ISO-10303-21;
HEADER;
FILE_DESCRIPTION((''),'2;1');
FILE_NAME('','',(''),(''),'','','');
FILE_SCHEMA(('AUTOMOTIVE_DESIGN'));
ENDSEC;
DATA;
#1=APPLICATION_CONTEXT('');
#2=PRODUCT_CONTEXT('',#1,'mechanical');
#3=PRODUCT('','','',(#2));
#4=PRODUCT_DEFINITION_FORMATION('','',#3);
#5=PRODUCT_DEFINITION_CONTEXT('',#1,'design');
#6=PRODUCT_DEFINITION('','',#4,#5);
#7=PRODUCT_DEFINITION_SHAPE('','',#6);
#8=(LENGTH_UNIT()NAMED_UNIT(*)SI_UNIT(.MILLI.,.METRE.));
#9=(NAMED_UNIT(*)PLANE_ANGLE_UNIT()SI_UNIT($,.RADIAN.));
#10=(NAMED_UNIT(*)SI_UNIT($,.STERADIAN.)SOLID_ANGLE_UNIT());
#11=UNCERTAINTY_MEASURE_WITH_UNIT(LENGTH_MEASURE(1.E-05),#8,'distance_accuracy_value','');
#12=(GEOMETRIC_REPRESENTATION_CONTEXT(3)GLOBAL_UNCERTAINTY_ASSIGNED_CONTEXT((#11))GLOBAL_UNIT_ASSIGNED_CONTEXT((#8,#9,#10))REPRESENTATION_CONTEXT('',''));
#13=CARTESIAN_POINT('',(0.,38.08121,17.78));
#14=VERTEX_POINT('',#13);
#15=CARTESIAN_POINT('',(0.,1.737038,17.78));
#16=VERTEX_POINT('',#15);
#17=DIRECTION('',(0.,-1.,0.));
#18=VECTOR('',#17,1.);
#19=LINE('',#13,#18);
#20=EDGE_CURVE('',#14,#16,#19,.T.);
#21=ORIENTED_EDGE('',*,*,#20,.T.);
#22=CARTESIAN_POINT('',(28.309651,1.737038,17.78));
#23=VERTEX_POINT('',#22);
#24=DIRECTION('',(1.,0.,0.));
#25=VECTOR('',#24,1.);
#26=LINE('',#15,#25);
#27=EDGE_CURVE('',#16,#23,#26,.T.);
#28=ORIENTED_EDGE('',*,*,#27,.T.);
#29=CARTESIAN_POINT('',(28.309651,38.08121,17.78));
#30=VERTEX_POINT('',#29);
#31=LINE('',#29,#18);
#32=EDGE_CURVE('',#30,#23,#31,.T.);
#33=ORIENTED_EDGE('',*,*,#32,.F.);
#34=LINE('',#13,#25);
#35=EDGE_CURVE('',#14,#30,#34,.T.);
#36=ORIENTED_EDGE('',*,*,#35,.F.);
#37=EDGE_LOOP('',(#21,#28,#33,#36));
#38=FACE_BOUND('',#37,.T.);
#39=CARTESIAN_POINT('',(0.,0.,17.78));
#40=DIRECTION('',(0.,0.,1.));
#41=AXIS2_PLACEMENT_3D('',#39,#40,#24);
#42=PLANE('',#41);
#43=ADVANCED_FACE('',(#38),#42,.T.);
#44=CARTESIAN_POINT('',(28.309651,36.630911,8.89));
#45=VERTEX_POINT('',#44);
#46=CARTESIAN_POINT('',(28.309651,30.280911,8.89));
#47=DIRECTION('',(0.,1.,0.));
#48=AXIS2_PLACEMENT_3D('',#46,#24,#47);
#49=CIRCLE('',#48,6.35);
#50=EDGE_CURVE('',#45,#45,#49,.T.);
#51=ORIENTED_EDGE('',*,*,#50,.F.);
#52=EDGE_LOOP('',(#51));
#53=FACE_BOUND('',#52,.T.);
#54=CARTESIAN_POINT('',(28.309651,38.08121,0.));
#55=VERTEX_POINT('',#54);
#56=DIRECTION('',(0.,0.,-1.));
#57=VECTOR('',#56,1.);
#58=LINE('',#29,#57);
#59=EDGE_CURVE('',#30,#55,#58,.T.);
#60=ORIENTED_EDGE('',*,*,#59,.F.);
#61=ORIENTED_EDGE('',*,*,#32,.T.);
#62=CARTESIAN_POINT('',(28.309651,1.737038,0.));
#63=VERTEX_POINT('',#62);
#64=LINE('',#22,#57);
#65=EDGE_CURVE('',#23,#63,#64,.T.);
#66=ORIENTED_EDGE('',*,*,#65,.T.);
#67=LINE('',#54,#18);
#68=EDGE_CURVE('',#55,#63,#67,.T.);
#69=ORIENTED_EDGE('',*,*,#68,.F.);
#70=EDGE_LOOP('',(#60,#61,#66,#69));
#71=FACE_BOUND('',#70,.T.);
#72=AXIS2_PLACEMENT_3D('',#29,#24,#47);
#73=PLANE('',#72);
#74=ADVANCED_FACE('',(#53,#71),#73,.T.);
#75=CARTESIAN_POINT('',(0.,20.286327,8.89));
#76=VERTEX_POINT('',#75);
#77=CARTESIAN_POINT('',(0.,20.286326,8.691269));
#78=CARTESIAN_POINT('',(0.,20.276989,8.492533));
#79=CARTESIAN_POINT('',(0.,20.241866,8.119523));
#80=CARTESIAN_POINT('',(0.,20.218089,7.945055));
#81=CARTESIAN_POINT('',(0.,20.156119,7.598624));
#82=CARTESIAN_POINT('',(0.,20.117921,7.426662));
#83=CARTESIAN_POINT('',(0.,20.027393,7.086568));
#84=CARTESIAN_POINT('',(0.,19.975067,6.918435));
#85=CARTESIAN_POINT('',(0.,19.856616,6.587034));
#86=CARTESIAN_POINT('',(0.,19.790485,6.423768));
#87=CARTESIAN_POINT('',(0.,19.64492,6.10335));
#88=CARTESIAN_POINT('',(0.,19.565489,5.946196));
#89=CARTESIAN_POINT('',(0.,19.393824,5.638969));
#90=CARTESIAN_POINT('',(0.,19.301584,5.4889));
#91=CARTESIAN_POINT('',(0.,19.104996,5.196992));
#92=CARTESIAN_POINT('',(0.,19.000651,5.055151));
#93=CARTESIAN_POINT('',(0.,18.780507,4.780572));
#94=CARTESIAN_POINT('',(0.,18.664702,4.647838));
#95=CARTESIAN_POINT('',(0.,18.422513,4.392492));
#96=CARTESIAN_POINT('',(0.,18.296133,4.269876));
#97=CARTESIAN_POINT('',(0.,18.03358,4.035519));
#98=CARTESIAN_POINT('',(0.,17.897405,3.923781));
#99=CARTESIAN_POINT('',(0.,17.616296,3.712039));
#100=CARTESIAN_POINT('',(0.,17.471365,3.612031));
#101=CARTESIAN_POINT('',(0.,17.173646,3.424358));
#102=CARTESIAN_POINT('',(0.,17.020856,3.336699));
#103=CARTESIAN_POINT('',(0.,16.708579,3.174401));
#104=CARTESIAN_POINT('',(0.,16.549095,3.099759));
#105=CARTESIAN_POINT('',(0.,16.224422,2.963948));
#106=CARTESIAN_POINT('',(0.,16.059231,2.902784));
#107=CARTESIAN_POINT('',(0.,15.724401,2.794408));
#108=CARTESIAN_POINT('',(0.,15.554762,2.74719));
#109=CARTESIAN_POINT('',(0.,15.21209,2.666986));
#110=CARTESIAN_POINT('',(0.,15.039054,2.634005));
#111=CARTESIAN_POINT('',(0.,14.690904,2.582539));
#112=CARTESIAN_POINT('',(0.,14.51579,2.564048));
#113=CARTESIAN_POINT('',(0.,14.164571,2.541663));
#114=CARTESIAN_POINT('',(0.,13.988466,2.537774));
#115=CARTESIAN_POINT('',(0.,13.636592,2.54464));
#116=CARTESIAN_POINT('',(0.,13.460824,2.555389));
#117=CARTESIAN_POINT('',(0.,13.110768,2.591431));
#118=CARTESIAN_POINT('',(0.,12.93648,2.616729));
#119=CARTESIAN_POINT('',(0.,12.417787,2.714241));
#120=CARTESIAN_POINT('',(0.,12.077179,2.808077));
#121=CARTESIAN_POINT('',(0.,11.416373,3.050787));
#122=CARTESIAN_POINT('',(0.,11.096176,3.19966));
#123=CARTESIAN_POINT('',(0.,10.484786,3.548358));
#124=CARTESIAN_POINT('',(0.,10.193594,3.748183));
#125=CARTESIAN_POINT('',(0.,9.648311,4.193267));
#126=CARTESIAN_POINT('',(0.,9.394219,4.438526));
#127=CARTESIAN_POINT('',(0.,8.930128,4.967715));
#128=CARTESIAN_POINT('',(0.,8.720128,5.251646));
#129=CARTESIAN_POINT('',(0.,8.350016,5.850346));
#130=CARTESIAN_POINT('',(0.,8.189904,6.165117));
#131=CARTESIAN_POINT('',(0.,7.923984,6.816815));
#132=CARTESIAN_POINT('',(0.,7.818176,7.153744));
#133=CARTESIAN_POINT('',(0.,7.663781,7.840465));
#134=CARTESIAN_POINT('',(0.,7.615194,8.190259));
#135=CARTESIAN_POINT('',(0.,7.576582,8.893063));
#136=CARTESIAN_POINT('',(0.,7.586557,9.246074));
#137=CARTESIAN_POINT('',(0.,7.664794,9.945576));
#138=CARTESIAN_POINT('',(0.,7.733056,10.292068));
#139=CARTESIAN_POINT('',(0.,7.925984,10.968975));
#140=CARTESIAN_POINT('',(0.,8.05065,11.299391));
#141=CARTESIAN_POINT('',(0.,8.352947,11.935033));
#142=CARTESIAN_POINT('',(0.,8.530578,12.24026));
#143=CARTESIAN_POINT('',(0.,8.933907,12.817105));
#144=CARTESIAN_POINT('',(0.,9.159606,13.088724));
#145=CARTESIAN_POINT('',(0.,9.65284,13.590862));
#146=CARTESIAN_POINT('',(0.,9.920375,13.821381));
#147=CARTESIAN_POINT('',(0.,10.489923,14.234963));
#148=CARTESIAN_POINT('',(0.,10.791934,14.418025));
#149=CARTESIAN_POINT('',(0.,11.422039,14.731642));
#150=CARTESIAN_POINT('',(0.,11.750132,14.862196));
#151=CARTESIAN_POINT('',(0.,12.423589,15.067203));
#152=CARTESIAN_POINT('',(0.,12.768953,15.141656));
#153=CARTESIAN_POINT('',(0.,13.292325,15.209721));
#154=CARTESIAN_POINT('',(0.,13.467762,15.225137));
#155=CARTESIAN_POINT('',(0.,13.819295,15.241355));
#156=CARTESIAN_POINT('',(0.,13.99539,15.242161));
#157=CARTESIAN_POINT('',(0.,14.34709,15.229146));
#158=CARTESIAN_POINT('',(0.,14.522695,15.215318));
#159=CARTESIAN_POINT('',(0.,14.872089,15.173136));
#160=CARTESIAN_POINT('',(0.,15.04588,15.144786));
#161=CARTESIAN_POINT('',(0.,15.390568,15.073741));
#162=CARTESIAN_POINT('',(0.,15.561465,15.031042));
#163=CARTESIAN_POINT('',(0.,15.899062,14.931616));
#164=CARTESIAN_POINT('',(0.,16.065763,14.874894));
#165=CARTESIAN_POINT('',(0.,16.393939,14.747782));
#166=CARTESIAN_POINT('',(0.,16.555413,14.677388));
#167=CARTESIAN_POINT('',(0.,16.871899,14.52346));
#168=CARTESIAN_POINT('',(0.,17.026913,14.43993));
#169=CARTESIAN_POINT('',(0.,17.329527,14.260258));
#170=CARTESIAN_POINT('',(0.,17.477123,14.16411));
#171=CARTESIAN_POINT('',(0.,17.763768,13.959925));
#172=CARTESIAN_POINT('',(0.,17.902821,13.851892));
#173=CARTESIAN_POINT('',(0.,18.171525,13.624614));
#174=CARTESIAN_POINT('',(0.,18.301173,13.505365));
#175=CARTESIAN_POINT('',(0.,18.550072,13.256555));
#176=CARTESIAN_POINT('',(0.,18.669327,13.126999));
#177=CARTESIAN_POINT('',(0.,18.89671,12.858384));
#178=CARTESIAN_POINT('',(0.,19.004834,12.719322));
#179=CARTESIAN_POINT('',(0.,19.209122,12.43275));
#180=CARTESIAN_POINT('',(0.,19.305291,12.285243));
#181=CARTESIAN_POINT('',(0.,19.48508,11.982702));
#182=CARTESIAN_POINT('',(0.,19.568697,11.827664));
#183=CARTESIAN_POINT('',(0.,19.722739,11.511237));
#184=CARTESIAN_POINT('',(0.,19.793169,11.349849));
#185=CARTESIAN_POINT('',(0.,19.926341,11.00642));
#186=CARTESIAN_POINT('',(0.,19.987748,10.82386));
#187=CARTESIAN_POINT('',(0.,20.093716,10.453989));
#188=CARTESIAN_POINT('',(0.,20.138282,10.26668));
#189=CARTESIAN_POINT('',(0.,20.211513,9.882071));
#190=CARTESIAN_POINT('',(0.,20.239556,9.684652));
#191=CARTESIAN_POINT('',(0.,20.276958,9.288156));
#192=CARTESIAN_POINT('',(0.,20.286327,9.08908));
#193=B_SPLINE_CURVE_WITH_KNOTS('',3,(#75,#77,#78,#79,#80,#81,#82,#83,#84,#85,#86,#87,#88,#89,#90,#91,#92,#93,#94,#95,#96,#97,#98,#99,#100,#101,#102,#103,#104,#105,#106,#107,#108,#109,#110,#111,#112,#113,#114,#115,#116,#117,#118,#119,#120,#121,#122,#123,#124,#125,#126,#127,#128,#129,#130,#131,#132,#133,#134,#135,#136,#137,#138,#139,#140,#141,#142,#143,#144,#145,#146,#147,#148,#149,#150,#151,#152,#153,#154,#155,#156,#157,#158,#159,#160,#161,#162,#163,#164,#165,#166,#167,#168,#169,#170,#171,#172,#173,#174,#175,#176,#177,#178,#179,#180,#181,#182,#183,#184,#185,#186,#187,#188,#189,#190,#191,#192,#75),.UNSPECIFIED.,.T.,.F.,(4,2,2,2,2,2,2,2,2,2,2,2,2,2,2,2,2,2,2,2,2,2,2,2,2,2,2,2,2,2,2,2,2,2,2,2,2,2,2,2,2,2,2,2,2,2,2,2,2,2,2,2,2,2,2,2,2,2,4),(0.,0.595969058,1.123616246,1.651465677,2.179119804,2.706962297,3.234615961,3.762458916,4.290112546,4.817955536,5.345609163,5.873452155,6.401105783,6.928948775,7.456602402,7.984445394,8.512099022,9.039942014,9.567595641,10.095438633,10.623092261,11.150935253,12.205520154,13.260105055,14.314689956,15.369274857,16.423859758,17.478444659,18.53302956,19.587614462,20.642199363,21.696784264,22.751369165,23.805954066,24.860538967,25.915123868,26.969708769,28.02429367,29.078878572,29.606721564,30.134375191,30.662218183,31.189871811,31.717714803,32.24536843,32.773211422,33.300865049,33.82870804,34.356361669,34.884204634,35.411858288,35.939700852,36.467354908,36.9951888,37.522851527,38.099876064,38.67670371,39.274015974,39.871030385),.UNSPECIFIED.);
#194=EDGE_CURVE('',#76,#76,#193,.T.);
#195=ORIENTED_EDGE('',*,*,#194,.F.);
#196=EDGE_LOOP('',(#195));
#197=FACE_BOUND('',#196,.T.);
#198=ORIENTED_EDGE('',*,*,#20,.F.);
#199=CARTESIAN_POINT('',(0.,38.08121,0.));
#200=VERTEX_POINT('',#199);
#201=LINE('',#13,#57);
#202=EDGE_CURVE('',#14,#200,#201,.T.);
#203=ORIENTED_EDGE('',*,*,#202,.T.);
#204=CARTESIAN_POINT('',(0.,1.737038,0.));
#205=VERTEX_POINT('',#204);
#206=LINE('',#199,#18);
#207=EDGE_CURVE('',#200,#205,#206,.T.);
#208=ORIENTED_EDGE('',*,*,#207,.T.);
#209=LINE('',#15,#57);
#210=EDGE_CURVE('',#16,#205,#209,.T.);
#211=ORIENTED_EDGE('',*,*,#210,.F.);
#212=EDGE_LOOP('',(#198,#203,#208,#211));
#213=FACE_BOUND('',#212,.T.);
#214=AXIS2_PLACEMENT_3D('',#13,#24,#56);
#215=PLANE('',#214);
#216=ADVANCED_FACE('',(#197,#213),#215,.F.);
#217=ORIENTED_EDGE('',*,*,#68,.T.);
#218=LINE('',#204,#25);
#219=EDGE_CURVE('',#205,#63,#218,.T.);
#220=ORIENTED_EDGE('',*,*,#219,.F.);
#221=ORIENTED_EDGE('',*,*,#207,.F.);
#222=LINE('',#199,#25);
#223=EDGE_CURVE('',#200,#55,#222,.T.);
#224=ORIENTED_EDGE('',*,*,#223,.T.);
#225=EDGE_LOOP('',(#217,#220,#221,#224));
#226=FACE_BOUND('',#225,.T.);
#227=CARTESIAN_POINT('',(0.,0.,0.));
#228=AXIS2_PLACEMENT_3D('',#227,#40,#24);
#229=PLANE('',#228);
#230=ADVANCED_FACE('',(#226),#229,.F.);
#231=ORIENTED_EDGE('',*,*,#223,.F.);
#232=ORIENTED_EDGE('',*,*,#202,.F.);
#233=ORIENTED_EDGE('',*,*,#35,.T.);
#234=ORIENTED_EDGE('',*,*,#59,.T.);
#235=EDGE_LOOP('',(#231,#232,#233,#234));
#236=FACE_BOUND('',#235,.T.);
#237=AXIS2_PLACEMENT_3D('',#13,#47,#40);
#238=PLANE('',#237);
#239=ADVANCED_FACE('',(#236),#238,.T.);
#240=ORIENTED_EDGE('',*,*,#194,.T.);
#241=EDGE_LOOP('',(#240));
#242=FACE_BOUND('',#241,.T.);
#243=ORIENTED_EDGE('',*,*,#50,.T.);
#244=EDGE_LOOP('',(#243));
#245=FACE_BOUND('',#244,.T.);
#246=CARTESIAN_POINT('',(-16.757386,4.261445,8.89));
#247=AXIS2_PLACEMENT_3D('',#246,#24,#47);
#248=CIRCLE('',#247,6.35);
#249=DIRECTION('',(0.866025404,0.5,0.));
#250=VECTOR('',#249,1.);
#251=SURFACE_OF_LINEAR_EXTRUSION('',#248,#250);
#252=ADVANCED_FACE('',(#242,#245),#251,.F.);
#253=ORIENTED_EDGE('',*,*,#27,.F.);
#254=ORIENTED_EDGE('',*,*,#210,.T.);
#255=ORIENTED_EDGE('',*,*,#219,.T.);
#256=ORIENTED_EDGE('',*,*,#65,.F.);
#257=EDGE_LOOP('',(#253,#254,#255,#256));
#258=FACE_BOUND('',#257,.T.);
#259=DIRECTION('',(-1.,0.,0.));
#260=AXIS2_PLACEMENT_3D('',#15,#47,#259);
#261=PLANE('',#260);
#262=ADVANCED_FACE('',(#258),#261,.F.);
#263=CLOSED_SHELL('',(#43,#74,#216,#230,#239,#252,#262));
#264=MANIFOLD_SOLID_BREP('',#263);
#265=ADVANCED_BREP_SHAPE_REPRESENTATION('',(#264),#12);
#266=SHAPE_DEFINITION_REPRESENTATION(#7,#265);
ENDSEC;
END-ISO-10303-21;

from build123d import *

# Parameters (mm, degrees)
SKETCH1_W           = 28.309650982
SKETCH1_H           = 36.344172283
BOSS_EXTRUDE1_DEPTH = 17.78
SKETCH2_R           = 6.35
CUT_EXTRUDE2_DEPTH  = 37.746201309


with BuildPart() as part:
    # Sketch1 → Boss-Extrude1 (new body)
    with BuildSketch(Plane.XY):
        with Locations((14.154825491, 19.909123788)):
            Rectangle(SKETCH1_W, SKETCH1_H)
    extrude(amount=BOSS_EXTRUDE1_DEPTH)

    # Sketch2 → Cut-Extrude2 (cut, along a direction that is not the sketch's normal)
    with BuildSketch(Plane(origin=(28.309650982, 0, 0), x_dir=(0, 0, -1), z_dir=(1, 0, 0))):
        with Locations((-8.89, 30.280911184)):
            Circle(SKETCH2_R)
    extrude(amount=-CUT_EXTRUDE2_DEPTH, dir=(0.866025403784438, 0.5000000000000011, 0), mode=Mode.SUBTRACT)


solid = part.part
